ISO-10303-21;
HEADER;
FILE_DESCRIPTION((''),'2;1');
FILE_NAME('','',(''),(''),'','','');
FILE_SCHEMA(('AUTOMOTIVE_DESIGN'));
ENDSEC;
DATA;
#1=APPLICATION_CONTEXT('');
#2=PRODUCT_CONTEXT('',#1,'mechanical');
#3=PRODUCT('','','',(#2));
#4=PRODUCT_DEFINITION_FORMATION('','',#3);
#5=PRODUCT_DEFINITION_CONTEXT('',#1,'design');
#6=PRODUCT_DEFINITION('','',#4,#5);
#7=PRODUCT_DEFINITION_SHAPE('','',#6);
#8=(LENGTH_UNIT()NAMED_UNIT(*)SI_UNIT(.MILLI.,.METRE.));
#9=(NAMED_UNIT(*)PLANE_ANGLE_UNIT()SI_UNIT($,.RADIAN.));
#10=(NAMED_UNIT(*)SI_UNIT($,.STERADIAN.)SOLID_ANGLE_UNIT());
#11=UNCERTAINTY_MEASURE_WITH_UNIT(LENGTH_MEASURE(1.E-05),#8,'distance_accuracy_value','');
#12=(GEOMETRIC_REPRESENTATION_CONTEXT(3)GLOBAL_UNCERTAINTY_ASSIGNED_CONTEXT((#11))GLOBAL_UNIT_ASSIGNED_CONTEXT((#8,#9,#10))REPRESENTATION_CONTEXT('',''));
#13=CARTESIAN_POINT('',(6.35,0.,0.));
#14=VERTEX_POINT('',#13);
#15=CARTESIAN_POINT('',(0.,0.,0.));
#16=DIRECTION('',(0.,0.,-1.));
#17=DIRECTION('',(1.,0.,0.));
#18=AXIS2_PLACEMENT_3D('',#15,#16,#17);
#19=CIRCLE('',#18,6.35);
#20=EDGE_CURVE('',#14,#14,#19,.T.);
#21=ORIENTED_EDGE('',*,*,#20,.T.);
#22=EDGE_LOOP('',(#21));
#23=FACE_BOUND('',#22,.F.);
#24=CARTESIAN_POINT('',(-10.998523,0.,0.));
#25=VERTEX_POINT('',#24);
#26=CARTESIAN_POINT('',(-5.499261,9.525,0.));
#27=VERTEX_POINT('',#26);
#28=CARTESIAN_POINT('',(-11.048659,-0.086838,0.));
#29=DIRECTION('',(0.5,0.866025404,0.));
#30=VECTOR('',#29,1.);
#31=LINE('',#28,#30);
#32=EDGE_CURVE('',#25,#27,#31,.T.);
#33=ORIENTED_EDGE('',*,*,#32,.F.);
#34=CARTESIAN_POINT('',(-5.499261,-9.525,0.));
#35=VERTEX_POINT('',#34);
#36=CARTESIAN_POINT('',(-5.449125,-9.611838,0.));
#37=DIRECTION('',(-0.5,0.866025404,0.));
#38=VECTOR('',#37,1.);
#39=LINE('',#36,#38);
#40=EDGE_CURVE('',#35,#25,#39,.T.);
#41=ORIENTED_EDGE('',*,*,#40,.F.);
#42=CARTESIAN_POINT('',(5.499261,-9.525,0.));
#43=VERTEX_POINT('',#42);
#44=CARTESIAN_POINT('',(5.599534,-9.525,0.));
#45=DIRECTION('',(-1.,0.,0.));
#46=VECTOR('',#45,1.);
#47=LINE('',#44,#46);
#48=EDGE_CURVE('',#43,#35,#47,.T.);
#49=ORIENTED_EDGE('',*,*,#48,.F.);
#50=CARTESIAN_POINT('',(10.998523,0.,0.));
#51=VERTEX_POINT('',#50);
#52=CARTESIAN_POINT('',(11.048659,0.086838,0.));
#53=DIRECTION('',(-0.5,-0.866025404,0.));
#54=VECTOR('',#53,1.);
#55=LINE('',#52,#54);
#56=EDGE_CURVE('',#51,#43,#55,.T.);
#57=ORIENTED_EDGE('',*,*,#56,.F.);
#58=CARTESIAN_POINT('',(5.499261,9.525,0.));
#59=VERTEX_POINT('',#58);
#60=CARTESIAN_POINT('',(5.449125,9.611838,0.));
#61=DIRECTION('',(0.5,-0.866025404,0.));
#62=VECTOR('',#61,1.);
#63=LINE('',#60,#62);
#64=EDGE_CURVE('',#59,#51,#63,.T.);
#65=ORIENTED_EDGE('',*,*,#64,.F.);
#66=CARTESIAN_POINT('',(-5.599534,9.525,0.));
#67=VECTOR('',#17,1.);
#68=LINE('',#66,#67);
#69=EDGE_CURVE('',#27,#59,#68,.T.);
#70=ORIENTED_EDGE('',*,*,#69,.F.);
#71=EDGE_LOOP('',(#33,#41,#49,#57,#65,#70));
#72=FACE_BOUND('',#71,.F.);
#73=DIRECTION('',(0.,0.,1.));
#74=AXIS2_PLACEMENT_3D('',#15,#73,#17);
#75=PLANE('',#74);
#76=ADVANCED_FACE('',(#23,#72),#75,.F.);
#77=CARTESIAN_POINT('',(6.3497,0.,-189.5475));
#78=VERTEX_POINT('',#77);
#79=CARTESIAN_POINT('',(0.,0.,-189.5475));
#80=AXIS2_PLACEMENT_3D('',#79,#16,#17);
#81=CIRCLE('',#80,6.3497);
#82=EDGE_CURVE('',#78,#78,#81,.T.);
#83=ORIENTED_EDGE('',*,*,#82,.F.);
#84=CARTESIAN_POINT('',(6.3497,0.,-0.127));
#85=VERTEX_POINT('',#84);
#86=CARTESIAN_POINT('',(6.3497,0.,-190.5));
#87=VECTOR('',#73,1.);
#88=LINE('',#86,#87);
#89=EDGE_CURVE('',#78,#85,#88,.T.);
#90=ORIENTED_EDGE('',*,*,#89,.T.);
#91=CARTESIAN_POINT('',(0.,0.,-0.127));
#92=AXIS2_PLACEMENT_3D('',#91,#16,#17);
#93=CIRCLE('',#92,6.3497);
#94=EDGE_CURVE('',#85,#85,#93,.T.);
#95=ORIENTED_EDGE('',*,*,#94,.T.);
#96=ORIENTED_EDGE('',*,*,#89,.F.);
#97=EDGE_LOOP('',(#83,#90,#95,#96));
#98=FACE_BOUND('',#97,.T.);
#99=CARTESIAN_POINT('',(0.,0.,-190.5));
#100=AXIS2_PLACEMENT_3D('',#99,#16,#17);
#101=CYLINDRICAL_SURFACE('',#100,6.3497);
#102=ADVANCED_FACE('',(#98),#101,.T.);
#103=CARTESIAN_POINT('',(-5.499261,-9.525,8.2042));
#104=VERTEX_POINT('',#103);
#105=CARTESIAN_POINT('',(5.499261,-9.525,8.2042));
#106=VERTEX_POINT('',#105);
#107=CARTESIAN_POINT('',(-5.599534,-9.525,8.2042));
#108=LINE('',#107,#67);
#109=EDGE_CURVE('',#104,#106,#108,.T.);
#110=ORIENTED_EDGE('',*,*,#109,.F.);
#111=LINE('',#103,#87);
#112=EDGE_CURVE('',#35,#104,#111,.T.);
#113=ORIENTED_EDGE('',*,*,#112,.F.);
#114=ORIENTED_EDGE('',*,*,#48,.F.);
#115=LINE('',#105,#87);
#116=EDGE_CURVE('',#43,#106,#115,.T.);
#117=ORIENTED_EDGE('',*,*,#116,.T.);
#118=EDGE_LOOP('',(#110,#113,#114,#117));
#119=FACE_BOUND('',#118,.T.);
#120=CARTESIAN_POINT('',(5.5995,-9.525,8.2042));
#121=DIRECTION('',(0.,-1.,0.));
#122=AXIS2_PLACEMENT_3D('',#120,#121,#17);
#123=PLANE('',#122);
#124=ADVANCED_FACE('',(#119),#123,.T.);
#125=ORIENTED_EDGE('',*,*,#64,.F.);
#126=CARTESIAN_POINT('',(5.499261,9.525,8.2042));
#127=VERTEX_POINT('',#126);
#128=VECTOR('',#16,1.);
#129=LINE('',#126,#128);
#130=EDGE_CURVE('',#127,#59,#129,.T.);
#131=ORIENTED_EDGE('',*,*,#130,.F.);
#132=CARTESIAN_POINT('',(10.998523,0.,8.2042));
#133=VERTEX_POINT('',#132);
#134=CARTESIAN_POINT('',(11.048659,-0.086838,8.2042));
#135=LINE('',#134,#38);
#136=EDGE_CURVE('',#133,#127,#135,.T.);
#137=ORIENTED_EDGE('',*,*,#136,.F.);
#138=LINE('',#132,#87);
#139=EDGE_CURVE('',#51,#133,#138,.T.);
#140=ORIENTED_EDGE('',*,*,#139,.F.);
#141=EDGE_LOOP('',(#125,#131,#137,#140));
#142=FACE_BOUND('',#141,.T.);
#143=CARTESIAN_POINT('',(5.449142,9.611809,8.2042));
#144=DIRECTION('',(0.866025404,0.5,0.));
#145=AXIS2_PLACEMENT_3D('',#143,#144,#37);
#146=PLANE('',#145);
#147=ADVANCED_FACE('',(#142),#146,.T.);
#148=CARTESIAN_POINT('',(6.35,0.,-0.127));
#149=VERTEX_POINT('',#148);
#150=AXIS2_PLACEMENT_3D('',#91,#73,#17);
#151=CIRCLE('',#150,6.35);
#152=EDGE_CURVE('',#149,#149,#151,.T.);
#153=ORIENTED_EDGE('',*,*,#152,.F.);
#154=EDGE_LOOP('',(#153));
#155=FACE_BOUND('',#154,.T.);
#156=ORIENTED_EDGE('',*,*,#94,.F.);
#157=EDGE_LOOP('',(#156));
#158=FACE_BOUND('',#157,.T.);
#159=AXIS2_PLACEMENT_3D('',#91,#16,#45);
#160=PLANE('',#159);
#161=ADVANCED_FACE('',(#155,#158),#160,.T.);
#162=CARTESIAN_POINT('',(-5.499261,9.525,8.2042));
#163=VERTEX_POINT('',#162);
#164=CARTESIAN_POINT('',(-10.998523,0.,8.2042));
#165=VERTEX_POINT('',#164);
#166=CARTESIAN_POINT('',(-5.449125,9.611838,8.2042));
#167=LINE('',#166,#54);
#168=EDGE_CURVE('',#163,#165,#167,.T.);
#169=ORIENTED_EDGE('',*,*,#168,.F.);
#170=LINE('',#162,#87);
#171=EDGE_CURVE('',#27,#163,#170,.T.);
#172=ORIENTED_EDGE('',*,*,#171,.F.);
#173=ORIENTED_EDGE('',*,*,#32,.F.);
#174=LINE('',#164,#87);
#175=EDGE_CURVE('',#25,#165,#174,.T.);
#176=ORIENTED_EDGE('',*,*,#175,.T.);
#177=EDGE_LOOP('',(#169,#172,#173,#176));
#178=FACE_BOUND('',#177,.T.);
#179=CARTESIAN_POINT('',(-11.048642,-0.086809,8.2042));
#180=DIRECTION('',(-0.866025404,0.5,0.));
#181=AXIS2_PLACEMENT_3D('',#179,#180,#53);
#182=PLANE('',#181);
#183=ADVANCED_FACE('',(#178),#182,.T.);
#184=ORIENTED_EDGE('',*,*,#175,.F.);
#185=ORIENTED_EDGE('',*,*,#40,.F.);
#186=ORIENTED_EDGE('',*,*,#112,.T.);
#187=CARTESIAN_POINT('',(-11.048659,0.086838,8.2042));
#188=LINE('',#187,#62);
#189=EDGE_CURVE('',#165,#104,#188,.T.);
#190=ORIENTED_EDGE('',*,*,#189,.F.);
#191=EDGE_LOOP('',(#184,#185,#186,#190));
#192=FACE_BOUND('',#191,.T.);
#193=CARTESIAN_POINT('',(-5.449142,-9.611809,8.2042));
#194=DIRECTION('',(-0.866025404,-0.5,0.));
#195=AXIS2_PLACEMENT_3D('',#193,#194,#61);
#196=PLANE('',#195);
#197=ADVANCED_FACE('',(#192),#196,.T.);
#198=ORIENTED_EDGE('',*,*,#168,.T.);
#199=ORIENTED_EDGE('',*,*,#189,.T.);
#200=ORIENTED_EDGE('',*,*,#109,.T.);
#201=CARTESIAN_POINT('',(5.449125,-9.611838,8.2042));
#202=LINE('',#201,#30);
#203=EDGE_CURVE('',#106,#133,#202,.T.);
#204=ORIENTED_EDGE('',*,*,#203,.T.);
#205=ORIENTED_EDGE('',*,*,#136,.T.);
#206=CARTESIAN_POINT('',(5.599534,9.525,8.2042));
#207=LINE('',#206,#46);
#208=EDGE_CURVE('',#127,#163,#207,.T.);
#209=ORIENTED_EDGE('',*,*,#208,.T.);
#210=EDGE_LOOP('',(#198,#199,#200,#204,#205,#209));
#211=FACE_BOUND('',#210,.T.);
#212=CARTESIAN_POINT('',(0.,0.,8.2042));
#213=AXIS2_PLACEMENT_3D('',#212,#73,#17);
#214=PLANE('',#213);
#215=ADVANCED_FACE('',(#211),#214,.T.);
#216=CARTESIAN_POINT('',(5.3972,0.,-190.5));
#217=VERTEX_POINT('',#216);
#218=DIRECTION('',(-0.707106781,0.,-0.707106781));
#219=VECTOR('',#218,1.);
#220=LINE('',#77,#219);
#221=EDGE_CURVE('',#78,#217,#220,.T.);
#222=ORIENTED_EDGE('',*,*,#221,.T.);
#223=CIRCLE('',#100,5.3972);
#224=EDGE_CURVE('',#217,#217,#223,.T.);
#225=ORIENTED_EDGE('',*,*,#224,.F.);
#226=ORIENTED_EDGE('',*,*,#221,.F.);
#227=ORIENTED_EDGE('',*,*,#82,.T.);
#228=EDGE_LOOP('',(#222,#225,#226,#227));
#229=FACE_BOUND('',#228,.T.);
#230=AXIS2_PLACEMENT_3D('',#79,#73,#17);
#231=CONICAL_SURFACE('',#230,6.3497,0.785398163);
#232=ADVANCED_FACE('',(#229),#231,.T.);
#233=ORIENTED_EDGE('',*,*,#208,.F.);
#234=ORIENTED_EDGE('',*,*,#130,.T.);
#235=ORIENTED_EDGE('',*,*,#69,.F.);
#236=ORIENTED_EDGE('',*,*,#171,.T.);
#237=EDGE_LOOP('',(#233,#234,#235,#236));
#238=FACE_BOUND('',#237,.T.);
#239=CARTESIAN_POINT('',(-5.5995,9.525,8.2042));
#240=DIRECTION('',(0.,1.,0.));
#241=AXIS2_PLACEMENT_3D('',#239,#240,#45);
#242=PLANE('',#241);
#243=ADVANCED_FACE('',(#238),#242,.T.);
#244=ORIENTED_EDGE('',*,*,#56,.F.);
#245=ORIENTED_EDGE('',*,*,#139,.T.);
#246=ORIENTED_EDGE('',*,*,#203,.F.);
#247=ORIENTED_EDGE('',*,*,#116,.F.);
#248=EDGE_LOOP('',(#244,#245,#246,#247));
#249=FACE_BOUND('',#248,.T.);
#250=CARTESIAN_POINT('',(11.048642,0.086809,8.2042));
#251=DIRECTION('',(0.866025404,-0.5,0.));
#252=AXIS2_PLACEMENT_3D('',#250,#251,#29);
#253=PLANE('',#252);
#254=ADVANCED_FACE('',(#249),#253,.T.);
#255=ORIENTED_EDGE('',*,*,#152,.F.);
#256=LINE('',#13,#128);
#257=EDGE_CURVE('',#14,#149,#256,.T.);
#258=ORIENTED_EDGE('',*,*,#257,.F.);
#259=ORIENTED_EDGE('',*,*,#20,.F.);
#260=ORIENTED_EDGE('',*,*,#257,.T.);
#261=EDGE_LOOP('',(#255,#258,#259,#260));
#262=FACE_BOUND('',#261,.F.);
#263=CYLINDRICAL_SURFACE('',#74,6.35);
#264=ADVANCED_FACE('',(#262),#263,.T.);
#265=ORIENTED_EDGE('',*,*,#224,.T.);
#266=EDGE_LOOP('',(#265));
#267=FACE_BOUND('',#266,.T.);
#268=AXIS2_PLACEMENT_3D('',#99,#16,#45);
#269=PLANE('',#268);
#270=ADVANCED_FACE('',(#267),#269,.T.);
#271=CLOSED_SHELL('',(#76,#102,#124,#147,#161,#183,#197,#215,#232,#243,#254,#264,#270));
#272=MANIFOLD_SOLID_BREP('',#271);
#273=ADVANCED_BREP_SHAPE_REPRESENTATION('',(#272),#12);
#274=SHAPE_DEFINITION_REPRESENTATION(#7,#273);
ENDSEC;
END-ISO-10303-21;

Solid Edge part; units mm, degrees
sketch "Sketch1" plane through (0, 0, 0) normal (0, 0, 1) x (1, 0, 0)
  circle A0 centre (0, 0) radius 11.049
  dimension "D1" = 22.098
extrude "Protrusion1" add sketch "Sketch1" along normal blind 8.2042
sketch "Sketch2" plane through (0, 0, 0) normal (0, 0, -1) x (1, 0, 0)
  circle A0 centre (0, 0) radius 6.35
extrude "Protrusion2" add sketch "Sketch2" along normal blind 190.5
sketch "Sketch3" plane through (0, 0, -190.5) normal (0, 0, -1) x (1, 0, 0)
  circle A0 centre (0, 0) radius 6.3497
extrude "Cutout1" cut sketch "Sketch3" against normal blind 190.373 flip side to cut
chamfer "Chamfer_1" distance 0.9525 angle 45 1 edges at (-6.3497, 0, -190.5)
sketch "Sketch4" plane through (0, 0, 8.2042) normal (0, 0, 1) x (1, 0, 0)
  line L0 (-5.5995, 9.525) -> (5.5995, 9.525)
  dimension "D1" = 19.05
extrude "Cutout2" cut sketch "Sketch4" against normal up to next material side at (0, 9.575, 8.2042)
pattern_circular "Pattern1" count 6 over 360 about axis through (0, 0, 8.2042) along (0, 0, 1) of "Cutout2"
properties part number "108070"
